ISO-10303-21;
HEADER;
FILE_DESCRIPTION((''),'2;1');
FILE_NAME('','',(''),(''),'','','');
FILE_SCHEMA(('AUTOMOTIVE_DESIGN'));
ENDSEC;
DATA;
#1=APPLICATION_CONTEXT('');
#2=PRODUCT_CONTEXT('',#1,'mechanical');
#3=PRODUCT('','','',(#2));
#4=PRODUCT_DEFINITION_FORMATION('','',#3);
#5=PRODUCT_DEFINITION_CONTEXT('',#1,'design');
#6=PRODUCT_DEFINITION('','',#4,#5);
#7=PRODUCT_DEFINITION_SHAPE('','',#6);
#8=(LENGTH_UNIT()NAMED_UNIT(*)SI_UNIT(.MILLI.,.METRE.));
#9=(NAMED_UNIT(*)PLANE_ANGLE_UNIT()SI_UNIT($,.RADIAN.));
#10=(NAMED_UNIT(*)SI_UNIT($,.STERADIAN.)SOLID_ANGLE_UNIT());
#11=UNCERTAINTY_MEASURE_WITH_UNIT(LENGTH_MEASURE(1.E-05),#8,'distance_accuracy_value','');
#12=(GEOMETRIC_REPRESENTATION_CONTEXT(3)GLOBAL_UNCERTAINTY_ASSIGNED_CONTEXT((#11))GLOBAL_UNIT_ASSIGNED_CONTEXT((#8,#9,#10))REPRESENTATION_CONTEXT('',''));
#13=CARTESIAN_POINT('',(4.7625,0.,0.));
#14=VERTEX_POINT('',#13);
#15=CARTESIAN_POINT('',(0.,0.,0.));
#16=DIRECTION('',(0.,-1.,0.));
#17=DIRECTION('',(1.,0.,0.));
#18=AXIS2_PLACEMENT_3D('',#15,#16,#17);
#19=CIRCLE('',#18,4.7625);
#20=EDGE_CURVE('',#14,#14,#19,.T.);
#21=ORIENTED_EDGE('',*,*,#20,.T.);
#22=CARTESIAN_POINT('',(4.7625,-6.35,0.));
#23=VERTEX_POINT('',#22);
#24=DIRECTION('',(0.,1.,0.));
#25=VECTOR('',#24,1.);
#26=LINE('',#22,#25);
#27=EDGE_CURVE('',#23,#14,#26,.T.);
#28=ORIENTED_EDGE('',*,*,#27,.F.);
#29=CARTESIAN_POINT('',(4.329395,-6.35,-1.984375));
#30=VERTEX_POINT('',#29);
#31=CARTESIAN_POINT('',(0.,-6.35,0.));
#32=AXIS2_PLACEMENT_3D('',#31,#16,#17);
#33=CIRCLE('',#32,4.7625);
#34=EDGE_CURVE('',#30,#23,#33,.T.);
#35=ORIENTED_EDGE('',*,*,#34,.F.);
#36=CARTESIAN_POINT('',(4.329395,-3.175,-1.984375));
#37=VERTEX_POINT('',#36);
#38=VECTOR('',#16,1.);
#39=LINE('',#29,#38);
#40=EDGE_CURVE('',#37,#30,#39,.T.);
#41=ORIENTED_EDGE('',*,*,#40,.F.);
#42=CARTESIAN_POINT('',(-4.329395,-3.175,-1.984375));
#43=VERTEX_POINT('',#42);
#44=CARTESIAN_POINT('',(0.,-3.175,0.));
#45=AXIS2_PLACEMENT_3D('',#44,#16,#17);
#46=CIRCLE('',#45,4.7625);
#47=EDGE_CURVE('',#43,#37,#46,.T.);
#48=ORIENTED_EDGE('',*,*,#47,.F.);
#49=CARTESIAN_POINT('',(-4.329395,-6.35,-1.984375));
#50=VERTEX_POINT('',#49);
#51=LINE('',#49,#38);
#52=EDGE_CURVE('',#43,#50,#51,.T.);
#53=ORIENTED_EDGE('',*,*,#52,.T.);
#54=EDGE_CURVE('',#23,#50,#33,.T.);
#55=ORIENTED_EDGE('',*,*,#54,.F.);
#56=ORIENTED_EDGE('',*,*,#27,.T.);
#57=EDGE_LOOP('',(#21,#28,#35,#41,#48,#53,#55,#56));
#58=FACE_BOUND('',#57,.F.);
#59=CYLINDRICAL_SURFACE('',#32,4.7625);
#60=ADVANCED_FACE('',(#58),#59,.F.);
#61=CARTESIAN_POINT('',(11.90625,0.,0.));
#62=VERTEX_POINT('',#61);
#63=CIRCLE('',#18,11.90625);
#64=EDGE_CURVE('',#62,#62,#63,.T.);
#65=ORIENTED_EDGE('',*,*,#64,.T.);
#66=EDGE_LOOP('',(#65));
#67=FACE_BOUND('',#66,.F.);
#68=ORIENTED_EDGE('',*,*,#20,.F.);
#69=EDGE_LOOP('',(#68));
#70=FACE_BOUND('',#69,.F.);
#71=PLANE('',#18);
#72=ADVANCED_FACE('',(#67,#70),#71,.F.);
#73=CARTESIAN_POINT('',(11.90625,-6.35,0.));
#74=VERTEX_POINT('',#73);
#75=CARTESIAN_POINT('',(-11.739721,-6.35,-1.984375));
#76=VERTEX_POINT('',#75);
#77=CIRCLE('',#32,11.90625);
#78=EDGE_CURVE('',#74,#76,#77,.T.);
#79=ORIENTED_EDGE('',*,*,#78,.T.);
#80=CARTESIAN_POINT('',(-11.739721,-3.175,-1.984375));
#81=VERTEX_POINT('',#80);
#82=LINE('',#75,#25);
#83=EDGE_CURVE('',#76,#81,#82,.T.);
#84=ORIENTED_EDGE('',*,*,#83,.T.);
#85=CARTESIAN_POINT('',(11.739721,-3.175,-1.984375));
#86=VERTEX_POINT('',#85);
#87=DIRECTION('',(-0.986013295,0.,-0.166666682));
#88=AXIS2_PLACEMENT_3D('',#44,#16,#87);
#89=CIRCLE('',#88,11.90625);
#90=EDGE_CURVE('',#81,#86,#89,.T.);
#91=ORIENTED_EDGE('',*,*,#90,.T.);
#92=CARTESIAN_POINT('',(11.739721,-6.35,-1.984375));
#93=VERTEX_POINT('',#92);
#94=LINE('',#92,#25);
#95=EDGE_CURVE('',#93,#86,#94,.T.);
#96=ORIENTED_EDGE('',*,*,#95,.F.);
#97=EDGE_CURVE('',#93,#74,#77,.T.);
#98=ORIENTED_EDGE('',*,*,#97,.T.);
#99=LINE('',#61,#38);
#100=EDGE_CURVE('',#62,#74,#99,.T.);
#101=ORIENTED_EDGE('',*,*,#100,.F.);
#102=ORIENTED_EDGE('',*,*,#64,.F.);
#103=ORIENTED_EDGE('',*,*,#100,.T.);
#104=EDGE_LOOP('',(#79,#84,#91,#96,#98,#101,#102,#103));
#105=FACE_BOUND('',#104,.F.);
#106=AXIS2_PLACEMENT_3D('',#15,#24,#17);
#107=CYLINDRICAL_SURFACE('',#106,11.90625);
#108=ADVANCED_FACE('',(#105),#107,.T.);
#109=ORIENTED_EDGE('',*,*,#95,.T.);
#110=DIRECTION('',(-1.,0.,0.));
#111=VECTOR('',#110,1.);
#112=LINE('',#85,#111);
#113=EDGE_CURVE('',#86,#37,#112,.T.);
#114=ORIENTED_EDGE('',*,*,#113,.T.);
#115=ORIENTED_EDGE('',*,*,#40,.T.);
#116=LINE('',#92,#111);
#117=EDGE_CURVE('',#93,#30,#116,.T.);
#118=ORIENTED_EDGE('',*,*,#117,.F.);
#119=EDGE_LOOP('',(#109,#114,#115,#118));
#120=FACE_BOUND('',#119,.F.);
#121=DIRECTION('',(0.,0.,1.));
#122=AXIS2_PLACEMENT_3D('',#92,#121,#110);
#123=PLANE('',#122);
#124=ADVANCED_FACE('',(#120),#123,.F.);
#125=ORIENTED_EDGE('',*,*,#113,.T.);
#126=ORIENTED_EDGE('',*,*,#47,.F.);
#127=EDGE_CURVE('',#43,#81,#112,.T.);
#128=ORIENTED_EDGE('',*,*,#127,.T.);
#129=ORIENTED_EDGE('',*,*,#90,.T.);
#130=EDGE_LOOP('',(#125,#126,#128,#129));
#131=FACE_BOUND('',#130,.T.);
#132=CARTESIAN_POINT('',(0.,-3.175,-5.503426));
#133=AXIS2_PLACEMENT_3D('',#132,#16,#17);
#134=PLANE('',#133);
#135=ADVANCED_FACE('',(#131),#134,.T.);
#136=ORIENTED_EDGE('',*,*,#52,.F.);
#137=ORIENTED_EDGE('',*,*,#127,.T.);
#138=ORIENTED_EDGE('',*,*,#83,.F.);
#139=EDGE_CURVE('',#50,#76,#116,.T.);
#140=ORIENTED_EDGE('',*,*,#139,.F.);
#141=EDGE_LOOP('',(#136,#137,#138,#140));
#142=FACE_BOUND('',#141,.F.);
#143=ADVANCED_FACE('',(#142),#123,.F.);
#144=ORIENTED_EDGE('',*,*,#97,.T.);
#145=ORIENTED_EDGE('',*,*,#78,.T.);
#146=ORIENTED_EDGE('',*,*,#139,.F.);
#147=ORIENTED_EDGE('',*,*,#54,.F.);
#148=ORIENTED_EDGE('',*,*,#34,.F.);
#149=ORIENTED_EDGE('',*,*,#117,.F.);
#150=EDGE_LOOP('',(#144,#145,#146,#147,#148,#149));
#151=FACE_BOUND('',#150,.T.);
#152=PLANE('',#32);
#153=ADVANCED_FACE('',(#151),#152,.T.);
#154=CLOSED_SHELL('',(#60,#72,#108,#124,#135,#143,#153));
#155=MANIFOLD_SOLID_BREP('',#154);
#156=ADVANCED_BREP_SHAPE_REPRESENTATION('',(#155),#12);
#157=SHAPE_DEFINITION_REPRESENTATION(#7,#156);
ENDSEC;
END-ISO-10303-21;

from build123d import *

# Parameters (mm, degrees)
F0_R     = 11.90625
F1_DEPTH = 6.35
F2_R     = 4.7625
F3_DEPTH = 25.4
F5_DEPTH = 3.175


with BuildPart() as f1:
    # F0 (on Front) → F1 (new body)
    with BuildSketch(Plane.XZ):
        Circle(F0_R)
    extrude(amount=F1_DEPTH)

    # F2 (on face) → F3 (cut)
    with BuildSketch(Plane.XZ.offset(6.35)):
        Circle(F2_R)
    extrude(amount=-F3_DEPTH, mode=Mode.SUBTRACT)

    # F4 (on face) → F5 (cut)
    with BuildSketch(Plane.XZ.offset(6.35)):
        with BuildLine():
            Line((-4.329395, -1.984375), (-11.739721, -1.984375))
            ThreePointArc((-11.739721, -1.984375), (0, -11.90625), (11.739721, -1.984375))
            Line((11.739721, -1.984375), (4.329395, -1.984375))
            ThreePointArc((4.329395, -1.984375), (0, -4.7625), (-4.329395, -1.984375))
        make_face()
        with BuildLine():
            Line((4.329395, -1.984375), (-4.329395, -1.984375))
            ThreePointArc((-4.329395, -1.984375), (0, -4.7625), (4.329395, -1.984375))
        make_face()
    extrude(amount=-F5_DEPTH, mode=Mode.SUBTRACT)


solid = f1.part
